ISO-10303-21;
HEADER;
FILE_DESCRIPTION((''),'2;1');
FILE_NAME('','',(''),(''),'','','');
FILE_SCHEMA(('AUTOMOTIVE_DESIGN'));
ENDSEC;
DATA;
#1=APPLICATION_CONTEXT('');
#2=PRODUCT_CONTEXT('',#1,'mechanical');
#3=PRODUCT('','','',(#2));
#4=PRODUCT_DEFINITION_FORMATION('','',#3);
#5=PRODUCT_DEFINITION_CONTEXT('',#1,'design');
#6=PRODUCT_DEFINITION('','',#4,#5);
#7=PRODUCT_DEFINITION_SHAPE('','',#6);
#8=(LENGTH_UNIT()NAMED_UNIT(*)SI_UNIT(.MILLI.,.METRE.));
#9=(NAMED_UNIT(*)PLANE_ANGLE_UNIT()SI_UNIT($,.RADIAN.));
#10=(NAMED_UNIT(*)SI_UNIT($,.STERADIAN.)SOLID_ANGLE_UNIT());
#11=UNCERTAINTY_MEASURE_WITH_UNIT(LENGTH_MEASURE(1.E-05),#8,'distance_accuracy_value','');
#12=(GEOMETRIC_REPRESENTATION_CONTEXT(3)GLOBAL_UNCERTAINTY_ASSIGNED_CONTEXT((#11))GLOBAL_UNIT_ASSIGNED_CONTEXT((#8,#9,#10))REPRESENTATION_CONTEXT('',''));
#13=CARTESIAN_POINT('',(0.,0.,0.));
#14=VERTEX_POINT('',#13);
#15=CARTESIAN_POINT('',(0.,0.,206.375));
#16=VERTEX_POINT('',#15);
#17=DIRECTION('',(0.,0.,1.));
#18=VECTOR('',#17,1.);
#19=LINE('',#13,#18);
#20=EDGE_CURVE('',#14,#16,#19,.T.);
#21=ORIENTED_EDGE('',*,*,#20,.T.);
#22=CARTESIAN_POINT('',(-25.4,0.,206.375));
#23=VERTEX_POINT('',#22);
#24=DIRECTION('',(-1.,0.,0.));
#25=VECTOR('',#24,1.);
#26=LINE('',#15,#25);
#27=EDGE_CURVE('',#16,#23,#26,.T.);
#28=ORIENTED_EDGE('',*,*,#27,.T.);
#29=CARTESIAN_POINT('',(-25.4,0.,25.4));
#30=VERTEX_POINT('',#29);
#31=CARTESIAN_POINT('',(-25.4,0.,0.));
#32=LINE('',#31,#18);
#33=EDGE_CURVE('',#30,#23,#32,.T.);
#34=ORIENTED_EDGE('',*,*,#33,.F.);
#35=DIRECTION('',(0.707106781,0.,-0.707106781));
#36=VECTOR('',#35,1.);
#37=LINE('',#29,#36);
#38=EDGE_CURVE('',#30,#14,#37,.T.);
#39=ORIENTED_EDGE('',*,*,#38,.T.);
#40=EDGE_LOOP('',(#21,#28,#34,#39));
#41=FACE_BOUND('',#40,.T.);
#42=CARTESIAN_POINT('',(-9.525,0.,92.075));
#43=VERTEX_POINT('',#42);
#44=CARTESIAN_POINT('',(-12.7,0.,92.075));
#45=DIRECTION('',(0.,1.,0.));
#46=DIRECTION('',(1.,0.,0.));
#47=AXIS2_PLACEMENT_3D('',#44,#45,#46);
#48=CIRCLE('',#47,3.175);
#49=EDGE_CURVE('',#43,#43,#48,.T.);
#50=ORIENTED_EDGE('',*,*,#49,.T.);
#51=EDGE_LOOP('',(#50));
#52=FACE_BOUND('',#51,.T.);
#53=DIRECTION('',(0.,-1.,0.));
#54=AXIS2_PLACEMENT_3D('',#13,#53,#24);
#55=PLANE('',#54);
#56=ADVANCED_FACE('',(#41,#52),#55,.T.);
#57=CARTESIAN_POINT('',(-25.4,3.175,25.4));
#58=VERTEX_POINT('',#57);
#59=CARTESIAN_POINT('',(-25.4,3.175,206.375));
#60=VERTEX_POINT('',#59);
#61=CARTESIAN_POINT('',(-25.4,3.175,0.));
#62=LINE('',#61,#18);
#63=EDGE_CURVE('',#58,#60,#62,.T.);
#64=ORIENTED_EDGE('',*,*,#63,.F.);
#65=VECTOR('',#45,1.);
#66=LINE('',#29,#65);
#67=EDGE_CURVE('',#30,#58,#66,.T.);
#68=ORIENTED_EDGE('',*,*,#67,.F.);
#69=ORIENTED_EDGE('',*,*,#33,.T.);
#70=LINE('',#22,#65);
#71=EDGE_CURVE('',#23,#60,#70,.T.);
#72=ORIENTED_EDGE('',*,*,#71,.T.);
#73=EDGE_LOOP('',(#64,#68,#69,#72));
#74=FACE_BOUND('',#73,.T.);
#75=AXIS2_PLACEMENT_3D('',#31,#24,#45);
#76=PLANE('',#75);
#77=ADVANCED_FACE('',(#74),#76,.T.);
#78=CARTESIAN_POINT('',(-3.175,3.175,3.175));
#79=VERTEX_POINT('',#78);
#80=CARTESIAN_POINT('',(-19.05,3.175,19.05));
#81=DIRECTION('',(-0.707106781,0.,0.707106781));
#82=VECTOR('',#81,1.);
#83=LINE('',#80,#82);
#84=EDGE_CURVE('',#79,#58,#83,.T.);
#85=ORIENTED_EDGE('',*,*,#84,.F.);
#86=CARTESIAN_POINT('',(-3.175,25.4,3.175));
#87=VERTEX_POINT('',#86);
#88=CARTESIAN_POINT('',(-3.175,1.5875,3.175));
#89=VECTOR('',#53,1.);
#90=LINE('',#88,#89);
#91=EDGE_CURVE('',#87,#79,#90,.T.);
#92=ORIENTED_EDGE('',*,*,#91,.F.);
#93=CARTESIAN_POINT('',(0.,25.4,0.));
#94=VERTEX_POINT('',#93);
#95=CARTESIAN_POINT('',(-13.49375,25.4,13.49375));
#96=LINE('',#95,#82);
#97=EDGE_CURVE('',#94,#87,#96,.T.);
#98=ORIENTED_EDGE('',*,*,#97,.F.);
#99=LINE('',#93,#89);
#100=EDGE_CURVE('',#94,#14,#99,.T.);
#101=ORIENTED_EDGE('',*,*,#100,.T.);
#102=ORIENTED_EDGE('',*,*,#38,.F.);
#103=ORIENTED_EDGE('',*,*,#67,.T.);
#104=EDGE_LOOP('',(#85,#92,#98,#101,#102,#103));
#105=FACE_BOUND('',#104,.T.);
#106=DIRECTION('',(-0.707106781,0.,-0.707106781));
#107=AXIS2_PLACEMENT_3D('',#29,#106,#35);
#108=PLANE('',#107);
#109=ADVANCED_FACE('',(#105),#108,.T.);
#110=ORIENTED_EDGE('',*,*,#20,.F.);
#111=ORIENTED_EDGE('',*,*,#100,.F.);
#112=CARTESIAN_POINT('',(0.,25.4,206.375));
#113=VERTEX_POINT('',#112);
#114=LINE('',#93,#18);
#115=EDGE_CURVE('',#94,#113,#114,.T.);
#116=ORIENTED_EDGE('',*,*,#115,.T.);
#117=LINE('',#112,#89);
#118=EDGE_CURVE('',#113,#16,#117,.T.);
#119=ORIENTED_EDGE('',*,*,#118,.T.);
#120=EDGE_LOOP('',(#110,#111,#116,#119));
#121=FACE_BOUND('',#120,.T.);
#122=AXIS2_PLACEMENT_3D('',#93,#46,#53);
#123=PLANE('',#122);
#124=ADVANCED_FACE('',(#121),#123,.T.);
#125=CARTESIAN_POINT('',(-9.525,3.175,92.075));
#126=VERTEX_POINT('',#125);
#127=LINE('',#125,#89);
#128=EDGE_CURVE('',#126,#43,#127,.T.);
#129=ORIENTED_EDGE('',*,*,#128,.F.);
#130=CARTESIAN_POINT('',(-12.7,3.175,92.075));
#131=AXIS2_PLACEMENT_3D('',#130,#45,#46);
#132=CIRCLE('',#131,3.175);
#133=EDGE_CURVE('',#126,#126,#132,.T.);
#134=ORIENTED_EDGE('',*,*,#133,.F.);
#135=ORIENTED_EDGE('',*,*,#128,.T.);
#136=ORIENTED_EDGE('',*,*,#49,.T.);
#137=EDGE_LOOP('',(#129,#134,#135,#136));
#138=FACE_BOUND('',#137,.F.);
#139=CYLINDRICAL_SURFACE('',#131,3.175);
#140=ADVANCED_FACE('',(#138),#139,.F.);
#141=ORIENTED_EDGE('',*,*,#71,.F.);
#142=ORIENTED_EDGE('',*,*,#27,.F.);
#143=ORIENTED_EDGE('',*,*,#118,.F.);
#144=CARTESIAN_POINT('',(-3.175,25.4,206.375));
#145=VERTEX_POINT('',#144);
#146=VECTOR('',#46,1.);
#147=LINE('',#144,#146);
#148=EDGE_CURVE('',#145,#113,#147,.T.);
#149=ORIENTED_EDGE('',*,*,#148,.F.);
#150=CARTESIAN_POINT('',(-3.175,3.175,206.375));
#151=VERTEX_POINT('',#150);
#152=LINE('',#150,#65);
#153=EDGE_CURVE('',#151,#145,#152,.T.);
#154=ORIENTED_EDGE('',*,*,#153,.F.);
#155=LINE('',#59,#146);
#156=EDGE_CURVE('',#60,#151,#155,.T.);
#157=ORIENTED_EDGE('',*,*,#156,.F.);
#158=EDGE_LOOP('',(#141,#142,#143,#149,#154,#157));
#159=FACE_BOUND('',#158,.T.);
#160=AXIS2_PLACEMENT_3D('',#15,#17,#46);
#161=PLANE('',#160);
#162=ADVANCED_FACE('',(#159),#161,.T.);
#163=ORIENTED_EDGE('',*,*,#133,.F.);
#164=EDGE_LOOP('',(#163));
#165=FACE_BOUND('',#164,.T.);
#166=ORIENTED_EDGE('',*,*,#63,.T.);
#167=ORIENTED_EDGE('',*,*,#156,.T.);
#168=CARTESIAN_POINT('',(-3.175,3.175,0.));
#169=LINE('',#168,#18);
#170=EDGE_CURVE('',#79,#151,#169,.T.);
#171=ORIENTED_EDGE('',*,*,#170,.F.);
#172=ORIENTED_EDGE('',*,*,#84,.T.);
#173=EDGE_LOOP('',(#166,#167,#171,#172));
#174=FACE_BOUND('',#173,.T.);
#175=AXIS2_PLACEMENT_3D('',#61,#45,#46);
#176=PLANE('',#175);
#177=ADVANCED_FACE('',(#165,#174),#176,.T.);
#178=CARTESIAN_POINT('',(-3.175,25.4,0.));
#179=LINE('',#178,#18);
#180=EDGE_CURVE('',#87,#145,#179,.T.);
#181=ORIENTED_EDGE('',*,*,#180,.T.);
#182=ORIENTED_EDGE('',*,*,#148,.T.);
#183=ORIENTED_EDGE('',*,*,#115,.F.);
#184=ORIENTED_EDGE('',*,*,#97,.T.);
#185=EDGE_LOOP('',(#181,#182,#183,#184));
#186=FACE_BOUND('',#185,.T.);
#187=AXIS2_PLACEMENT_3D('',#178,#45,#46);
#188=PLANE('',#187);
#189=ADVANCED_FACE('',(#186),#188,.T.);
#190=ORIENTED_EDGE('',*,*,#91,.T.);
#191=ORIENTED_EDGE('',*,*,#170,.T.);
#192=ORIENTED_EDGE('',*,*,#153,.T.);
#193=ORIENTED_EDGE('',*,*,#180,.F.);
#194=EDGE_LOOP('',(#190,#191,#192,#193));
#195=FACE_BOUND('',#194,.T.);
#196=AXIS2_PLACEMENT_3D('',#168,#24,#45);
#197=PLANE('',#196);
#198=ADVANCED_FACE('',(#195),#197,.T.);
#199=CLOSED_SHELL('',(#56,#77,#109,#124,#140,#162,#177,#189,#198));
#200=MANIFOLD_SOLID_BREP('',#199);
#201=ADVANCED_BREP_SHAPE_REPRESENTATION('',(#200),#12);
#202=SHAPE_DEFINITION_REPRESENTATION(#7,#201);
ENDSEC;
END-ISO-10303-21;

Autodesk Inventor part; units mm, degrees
ref_plane "YZ Plane" through (0, 0, 0) normal (1, 0, 0) x (0, 1, 0)
ref_plane "XZ Plane" through (0, 0, 0) normal (0, 1, 0) x (-1, 0, 0)
ref_plane "XY Plane" through (0, 0, 0) normal (0, 0, 1) x (1, 0, 0)
sketch "Sketch1" plane through (0, 0, 0) normal (0, 0, 1) x (1, 0, 0)
  line L0 (-25.4, 3.175) -> (-3.175, 3.175)
  line L1 (0, 0) -> (-25.4, 0)
  line L2 (-25.4, 0) -> (-25.4, 3.175)
  line L3 (-3.175, 25.4) -> (0, 25.4)
  line L4 (0, 25.4) -> (0, 0)
  line L5 (-3.175, 3.175) -> (-3.175, 25.4)
  dimension "d0" = 25.4
  dimension "d1" = 25.4
  dimension "d2" = 3.175
  dimension "d3" = 3.175
extrude "Extrusion1" add sketch "Sketch1" along normal blind 206.375
sketch "Sketch2" plane through (-25.4, 0, 0) normal (0, -1, 0) x (1, 0, 0)
  line L0 (0, 0) -> (0, 206.375) projected
  line L1 (0, 0) -> (25.4, 0) projected
  line L2 (0, 25.4) -> (25.4, 0)
  dimension "d8" = 45
extrude "Extrusion2" cut sketch "Sketch2" against normal blind 203.2
sketch "Sketch3" plane through (-25.4, 3.175, 206.375) normal (0, 1, 0) x (1, 0, 0)
  line L0 (0, 0) -> (22.225, 0) projected
  line L1 (22.225, 203.2) -> (22.225, 0) projected
  circle A0 centre (12.7, 114.3) radius 3.175
  point P0 (25.4, 206.375)
  dimension "d11" = 6.35
  dimension "d12" = 114.3
  dimension "d13" = 9.525
extrude "Extrusion3" cut sketch "Sketch3" against normal blind 25.4
properties part number "backwards L frame"
